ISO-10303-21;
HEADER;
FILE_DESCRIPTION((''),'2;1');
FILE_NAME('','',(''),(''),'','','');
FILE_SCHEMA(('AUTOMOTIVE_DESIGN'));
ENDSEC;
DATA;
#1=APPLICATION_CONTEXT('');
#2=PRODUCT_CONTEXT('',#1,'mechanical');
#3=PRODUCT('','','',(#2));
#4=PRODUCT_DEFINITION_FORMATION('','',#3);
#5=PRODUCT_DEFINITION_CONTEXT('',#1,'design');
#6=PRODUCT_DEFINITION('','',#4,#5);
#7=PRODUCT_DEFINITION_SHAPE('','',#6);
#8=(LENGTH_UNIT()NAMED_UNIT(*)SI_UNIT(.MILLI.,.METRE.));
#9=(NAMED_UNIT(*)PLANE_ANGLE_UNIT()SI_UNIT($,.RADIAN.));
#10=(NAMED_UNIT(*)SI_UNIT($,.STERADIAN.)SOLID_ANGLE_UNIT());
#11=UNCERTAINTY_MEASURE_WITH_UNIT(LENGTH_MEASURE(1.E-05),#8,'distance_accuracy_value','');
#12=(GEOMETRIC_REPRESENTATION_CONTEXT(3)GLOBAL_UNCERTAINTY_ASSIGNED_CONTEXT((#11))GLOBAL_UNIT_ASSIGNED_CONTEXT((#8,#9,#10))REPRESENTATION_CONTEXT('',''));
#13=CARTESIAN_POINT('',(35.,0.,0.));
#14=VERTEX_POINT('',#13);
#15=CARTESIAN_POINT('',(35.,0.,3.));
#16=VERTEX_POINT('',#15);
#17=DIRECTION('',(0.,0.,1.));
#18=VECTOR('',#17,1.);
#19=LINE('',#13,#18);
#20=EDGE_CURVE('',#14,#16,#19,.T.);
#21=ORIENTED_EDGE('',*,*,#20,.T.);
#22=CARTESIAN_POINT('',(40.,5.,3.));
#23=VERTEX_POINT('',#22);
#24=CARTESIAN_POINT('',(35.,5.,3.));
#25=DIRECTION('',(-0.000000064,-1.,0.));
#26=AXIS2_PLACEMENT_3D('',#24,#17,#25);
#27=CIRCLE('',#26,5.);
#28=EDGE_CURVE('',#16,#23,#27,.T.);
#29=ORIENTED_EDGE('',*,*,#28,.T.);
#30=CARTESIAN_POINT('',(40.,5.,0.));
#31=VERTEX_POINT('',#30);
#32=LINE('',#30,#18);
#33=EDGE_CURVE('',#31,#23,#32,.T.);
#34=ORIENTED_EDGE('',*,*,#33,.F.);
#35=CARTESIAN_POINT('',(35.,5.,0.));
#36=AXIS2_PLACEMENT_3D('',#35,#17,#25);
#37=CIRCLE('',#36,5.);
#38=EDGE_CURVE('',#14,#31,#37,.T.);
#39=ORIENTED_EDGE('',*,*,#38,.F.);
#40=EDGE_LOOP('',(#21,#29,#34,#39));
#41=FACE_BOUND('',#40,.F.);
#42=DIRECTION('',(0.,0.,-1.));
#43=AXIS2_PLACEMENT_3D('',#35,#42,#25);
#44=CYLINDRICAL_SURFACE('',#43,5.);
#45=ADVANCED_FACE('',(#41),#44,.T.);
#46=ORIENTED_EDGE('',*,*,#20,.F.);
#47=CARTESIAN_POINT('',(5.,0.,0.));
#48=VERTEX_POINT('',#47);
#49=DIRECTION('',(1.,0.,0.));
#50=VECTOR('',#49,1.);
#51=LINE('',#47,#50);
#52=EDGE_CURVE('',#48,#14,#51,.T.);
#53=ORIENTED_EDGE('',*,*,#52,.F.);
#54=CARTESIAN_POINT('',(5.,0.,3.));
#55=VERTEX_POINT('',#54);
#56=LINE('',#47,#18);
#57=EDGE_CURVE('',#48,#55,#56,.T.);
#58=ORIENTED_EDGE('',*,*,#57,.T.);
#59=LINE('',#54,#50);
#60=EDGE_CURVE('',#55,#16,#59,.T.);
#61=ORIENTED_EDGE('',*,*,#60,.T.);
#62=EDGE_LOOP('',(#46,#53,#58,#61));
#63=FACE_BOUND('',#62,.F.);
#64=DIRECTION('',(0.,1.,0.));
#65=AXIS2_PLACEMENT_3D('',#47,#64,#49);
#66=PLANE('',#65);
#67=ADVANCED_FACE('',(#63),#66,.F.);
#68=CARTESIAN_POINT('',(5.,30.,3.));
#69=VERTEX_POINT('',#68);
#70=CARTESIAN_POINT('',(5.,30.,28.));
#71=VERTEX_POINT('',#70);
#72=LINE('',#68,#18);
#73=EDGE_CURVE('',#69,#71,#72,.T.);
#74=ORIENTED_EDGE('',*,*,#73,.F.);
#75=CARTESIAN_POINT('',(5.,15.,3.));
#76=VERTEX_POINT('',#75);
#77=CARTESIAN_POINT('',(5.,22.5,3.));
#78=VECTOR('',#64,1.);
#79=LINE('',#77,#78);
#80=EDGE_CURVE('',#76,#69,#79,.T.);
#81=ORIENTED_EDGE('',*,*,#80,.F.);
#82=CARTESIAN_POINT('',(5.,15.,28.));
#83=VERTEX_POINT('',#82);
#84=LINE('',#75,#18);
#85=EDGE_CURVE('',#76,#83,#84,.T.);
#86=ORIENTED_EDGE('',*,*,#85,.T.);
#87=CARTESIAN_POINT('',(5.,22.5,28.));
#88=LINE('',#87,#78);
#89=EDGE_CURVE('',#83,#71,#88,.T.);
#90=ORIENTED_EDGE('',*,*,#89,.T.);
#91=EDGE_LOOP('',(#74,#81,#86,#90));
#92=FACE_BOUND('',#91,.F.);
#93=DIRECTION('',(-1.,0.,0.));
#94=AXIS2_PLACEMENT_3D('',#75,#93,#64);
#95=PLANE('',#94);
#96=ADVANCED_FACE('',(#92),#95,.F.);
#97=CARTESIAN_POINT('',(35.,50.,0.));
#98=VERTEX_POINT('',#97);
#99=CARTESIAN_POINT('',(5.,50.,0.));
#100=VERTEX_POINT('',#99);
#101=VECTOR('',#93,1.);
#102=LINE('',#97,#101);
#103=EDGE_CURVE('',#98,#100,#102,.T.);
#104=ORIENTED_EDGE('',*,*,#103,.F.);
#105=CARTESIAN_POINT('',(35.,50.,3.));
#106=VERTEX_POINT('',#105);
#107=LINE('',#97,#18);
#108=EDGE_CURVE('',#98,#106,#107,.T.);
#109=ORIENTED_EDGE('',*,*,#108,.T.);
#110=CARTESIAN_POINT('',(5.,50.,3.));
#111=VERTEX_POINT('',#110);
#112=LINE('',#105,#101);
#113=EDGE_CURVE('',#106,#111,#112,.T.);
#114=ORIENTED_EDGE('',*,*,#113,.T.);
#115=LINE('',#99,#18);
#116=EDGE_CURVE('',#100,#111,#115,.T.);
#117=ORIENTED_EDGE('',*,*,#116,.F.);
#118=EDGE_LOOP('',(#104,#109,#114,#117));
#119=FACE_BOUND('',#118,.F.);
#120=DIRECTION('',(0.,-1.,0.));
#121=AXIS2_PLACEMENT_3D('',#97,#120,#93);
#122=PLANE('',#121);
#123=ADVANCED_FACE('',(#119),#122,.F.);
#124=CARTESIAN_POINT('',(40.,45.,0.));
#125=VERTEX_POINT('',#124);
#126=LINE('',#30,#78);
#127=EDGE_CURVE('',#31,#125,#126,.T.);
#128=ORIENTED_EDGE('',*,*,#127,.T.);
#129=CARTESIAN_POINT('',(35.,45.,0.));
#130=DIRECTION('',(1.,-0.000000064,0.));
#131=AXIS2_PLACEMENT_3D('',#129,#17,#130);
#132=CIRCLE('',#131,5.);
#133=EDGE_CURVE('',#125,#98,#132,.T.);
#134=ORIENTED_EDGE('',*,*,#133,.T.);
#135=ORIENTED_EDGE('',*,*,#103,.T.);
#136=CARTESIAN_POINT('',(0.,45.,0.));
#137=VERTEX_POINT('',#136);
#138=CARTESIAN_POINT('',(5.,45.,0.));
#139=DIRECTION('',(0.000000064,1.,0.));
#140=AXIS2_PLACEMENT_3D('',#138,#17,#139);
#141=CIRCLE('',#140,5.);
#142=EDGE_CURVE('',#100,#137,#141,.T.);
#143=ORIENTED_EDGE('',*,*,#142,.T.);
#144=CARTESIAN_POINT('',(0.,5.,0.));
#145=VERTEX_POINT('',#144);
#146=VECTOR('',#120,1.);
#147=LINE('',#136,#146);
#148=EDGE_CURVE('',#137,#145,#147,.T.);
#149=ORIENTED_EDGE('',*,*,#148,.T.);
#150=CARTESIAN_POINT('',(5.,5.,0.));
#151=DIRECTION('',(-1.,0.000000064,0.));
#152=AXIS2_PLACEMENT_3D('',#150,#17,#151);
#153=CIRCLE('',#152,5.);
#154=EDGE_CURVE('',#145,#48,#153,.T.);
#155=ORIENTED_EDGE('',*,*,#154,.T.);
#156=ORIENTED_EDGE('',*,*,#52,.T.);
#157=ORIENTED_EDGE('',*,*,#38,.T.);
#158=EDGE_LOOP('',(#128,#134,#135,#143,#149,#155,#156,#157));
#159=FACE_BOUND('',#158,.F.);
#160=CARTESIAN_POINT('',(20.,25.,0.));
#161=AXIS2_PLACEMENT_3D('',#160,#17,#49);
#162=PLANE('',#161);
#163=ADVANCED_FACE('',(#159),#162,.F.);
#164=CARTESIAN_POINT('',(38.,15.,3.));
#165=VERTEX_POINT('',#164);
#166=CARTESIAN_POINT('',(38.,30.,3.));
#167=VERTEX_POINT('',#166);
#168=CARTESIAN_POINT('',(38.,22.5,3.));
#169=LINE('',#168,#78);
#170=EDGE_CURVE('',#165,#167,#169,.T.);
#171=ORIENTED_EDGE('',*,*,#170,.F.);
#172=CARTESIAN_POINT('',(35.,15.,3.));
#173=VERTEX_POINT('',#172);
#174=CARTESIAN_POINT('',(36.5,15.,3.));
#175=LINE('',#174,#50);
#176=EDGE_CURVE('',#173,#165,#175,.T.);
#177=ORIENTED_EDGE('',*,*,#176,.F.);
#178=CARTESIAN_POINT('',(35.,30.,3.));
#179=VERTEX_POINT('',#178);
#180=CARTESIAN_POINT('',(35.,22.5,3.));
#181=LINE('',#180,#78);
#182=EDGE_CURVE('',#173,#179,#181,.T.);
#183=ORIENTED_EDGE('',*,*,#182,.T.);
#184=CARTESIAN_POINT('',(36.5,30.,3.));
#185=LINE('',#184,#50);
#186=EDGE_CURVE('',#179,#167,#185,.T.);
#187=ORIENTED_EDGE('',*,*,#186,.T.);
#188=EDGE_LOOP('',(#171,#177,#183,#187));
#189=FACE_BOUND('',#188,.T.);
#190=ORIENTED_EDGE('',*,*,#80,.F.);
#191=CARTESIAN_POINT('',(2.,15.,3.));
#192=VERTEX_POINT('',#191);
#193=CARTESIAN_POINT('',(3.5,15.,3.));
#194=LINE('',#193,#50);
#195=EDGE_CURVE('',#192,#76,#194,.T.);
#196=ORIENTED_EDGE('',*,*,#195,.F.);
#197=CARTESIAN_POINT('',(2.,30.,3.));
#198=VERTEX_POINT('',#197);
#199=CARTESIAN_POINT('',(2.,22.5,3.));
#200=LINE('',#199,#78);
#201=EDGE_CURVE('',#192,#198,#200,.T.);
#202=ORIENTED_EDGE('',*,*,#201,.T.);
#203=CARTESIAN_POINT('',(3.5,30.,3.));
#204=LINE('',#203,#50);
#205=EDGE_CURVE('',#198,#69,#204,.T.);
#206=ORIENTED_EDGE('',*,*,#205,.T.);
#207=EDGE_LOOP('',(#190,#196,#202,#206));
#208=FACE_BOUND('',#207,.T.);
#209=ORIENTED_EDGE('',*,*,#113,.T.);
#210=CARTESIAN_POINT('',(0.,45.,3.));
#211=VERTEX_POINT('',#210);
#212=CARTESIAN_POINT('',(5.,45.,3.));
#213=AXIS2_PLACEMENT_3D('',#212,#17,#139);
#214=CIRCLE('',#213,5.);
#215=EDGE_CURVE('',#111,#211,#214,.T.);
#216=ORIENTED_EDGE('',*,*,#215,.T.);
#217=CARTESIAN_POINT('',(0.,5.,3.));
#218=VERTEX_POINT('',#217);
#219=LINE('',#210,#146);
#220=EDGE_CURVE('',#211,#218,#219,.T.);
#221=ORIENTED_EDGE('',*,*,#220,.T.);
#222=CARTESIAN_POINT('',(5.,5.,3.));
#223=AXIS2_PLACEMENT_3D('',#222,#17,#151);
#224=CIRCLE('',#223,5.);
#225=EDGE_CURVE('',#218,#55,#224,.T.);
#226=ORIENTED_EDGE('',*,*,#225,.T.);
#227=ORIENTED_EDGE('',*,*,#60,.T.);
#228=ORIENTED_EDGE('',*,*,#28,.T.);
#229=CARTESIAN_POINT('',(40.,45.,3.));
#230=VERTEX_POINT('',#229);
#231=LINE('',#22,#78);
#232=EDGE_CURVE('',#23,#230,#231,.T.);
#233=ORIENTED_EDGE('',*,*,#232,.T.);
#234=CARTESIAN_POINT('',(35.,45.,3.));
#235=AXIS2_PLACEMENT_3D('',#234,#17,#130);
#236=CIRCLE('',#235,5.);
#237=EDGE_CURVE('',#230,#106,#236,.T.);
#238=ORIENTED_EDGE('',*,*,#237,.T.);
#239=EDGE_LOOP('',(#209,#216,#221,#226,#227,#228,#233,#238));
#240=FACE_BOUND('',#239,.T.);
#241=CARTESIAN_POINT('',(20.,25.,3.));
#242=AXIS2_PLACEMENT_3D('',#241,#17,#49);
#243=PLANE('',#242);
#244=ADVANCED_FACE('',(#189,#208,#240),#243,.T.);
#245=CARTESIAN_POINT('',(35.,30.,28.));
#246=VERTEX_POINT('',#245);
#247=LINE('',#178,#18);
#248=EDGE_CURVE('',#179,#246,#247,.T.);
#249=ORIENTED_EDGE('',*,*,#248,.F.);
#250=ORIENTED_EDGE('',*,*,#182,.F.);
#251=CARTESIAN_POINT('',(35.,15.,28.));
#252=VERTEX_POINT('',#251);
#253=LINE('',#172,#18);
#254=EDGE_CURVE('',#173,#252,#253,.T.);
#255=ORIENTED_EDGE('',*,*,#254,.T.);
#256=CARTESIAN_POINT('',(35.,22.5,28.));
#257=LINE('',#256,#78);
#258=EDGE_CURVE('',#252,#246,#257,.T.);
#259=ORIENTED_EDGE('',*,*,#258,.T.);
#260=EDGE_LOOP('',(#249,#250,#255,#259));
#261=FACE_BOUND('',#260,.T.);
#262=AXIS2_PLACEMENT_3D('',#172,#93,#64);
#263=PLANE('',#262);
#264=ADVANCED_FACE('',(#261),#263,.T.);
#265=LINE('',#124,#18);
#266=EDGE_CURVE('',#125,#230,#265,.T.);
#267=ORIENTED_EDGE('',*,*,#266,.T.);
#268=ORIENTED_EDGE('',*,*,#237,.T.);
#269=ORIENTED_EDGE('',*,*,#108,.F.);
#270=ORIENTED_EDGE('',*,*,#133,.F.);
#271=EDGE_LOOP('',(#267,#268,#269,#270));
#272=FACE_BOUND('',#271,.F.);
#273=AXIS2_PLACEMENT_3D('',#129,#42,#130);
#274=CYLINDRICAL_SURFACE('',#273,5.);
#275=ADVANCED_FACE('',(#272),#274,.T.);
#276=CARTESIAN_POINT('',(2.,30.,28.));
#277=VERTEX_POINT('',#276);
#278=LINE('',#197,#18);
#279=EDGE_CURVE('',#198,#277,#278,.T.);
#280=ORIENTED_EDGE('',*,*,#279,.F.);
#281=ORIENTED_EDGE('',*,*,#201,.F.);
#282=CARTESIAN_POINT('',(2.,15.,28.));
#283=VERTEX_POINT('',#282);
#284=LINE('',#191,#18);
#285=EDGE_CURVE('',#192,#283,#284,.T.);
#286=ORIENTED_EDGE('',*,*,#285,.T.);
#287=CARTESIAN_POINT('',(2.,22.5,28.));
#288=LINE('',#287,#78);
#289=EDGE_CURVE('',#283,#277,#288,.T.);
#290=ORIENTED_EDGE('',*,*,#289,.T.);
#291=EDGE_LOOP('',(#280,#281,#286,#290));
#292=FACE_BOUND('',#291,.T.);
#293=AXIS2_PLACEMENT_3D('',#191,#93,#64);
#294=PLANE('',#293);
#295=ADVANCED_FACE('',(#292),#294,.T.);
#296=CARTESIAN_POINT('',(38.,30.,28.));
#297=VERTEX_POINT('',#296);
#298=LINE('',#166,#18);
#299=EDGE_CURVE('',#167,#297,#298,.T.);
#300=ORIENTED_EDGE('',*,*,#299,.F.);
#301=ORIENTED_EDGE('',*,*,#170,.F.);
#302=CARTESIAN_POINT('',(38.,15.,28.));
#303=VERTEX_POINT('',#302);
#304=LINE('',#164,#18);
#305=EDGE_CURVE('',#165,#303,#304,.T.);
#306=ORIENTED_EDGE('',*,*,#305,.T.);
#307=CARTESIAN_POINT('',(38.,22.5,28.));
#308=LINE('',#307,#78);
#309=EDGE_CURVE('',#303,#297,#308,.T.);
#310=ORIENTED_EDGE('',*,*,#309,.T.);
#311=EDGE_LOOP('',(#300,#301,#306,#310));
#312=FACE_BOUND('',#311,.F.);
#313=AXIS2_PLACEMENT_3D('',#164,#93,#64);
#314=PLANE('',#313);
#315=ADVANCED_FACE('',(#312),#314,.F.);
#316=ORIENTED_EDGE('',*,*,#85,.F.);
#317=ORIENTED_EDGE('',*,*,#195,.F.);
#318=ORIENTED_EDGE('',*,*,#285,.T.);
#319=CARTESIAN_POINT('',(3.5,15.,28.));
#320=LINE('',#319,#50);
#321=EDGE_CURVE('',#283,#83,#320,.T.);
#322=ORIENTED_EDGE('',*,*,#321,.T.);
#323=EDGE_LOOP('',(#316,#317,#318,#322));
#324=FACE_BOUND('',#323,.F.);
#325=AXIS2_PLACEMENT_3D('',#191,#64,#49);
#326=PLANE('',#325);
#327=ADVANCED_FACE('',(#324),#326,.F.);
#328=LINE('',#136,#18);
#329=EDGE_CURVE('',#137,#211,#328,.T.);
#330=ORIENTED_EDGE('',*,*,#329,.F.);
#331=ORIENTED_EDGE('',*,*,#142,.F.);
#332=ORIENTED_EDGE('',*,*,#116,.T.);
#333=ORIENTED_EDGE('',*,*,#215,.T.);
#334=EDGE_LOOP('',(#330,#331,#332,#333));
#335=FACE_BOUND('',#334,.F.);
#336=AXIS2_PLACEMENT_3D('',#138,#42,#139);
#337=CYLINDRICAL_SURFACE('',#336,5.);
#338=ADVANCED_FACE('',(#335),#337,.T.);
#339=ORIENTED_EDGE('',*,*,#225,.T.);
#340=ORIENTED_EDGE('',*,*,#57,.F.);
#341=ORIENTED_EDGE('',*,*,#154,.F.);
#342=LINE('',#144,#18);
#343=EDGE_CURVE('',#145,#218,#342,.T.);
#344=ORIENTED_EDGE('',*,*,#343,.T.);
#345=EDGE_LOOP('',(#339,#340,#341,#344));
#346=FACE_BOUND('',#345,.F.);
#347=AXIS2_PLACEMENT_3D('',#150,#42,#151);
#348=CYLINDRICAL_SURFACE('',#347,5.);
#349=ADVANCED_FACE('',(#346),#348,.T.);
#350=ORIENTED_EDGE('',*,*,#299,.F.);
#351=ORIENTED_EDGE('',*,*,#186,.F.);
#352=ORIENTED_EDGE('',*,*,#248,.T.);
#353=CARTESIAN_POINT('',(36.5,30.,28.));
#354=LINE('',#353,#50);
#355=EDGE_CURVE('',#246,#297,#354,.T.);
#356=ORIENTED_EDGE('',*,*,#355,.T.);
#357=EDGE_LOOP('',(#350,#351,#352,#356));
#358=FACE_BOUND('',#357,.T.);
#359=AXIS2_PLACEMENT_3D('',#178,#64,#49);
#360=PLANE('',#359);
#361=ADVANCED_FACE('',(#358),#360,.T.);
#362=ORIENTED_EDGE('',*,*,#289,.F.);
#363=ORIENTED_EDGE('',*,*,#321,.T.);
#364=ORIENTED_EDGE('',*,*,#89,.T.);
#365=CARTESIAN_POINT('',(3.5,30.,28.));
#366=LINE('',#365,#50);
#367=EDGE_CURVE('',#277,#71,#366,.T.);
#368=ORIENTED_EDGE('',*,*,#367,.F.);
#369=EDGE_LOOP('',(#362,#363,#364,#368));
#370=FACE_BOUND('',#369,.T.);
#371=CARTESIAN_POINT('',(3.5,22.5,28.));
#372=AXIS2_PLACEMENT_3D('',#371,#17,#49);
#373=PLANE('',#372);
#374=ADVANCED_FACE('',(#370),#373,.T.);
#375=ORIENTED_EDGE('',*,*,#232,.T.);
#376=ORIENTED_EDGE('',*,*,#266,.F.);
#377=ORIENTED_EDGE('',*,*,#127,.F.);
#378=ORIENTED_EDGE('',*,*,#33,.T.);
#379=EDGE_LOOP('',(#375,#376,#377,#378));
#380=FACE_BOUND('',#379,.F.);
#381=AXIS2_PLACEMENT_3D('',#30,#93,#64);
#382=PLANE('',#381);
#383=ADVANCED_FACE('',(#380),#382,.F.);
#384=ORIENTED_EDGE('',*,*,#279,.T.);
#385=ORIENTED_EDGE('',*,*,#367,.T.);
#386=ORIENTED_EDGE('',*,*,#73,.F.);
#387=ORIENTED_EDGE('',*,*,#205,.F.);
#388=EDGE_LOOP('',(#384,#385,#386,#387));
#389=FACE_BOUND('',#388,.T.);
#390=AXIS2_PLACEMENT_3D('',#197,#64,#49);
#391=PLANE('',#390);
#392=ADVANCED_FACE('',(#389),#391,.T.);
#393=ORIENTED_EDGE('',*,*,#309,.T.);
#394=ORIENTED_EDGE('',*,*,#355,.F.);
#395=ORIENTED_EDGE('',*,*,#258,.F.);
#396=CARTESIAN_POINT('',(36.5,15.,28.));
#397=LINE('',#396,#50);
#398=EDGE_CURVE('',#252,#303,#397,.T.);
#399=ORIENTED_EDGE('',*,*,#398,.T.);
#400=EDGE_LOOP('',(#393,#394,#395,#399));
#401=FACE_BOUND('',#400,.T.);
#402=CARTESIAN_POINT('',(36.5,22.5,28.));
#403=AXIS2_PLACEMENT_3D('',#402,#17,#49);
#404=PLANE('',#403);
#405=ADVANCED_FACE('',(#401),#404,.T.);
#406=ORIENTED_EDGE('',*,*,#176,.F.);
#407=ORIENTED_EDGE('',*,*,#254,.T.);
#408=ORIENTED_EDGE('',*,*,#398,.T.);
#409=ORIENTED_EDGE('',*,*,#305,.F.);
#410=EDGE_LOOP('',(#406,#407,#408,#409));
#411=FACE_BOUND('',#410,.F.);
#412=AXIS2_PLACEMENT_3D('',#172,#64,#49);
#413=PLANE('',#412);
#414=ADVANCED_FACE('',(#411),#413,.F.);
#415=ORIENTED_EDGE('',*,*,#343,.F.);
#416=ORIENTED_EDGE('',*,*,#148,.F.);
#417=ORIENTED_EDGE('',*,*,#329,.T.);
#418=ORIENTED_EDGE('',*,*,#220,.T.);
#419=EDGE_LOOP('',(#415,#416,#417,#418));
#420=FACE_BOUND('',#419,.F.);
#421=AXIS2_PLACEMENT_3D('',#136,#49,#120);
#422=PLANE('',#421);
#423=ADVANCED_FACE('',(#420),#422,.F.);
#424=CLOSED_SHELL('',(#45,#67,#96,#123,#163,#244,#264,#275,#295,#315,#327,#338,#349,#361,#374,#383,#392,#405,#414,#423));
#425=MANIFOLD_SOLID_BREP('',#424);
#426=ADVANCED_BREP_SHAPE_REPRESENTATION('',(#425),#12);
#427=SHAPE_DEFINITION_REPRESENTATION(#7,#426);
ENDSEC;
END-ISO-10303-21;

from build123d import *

# Parameters (mm, degrees)
F1_DEPTH = 3
F2_W     = 3
F2_H     = 15
F3_DEPTH = 25


with BuildPart() as f1:
    # F0 (on Top) → F1 (new body)
    with BuildSketch(Plane.XY):
        with BuildLine():
            ThreePointArc((0, 5), (1.464466, 1.464466), (5, 0))
            Line((5, 0), (35, 0))
            ThreePointArc((35, 0), (38.535534, 1.464466), (40, 5))
            Line((40, 5), (40, 45))
            ThreePointArc((40, 45), (38.535534, 48.535534), (35, 50))
            Line((35, 50), (5, 50))
            ThreePointArc((5, 50), (1.464466, 48.535534), (0, 45))
            Line((0, 45), (0, 5))
        make_face()
    extrude(amount=F1_DEPTH)

    # F2 (on face) → F3 (join)
    with BuildSketch(Plane.XY.offset(3)):
        with Locations((36.5, 22.5)):
            Rectangle(F2_W, F2_H)
        with Locations((3.5, 22.5)):
            Rectangle(F2_W, F2_H)
    extrude(amount=F3_DEPTH)


solid = f1.part
